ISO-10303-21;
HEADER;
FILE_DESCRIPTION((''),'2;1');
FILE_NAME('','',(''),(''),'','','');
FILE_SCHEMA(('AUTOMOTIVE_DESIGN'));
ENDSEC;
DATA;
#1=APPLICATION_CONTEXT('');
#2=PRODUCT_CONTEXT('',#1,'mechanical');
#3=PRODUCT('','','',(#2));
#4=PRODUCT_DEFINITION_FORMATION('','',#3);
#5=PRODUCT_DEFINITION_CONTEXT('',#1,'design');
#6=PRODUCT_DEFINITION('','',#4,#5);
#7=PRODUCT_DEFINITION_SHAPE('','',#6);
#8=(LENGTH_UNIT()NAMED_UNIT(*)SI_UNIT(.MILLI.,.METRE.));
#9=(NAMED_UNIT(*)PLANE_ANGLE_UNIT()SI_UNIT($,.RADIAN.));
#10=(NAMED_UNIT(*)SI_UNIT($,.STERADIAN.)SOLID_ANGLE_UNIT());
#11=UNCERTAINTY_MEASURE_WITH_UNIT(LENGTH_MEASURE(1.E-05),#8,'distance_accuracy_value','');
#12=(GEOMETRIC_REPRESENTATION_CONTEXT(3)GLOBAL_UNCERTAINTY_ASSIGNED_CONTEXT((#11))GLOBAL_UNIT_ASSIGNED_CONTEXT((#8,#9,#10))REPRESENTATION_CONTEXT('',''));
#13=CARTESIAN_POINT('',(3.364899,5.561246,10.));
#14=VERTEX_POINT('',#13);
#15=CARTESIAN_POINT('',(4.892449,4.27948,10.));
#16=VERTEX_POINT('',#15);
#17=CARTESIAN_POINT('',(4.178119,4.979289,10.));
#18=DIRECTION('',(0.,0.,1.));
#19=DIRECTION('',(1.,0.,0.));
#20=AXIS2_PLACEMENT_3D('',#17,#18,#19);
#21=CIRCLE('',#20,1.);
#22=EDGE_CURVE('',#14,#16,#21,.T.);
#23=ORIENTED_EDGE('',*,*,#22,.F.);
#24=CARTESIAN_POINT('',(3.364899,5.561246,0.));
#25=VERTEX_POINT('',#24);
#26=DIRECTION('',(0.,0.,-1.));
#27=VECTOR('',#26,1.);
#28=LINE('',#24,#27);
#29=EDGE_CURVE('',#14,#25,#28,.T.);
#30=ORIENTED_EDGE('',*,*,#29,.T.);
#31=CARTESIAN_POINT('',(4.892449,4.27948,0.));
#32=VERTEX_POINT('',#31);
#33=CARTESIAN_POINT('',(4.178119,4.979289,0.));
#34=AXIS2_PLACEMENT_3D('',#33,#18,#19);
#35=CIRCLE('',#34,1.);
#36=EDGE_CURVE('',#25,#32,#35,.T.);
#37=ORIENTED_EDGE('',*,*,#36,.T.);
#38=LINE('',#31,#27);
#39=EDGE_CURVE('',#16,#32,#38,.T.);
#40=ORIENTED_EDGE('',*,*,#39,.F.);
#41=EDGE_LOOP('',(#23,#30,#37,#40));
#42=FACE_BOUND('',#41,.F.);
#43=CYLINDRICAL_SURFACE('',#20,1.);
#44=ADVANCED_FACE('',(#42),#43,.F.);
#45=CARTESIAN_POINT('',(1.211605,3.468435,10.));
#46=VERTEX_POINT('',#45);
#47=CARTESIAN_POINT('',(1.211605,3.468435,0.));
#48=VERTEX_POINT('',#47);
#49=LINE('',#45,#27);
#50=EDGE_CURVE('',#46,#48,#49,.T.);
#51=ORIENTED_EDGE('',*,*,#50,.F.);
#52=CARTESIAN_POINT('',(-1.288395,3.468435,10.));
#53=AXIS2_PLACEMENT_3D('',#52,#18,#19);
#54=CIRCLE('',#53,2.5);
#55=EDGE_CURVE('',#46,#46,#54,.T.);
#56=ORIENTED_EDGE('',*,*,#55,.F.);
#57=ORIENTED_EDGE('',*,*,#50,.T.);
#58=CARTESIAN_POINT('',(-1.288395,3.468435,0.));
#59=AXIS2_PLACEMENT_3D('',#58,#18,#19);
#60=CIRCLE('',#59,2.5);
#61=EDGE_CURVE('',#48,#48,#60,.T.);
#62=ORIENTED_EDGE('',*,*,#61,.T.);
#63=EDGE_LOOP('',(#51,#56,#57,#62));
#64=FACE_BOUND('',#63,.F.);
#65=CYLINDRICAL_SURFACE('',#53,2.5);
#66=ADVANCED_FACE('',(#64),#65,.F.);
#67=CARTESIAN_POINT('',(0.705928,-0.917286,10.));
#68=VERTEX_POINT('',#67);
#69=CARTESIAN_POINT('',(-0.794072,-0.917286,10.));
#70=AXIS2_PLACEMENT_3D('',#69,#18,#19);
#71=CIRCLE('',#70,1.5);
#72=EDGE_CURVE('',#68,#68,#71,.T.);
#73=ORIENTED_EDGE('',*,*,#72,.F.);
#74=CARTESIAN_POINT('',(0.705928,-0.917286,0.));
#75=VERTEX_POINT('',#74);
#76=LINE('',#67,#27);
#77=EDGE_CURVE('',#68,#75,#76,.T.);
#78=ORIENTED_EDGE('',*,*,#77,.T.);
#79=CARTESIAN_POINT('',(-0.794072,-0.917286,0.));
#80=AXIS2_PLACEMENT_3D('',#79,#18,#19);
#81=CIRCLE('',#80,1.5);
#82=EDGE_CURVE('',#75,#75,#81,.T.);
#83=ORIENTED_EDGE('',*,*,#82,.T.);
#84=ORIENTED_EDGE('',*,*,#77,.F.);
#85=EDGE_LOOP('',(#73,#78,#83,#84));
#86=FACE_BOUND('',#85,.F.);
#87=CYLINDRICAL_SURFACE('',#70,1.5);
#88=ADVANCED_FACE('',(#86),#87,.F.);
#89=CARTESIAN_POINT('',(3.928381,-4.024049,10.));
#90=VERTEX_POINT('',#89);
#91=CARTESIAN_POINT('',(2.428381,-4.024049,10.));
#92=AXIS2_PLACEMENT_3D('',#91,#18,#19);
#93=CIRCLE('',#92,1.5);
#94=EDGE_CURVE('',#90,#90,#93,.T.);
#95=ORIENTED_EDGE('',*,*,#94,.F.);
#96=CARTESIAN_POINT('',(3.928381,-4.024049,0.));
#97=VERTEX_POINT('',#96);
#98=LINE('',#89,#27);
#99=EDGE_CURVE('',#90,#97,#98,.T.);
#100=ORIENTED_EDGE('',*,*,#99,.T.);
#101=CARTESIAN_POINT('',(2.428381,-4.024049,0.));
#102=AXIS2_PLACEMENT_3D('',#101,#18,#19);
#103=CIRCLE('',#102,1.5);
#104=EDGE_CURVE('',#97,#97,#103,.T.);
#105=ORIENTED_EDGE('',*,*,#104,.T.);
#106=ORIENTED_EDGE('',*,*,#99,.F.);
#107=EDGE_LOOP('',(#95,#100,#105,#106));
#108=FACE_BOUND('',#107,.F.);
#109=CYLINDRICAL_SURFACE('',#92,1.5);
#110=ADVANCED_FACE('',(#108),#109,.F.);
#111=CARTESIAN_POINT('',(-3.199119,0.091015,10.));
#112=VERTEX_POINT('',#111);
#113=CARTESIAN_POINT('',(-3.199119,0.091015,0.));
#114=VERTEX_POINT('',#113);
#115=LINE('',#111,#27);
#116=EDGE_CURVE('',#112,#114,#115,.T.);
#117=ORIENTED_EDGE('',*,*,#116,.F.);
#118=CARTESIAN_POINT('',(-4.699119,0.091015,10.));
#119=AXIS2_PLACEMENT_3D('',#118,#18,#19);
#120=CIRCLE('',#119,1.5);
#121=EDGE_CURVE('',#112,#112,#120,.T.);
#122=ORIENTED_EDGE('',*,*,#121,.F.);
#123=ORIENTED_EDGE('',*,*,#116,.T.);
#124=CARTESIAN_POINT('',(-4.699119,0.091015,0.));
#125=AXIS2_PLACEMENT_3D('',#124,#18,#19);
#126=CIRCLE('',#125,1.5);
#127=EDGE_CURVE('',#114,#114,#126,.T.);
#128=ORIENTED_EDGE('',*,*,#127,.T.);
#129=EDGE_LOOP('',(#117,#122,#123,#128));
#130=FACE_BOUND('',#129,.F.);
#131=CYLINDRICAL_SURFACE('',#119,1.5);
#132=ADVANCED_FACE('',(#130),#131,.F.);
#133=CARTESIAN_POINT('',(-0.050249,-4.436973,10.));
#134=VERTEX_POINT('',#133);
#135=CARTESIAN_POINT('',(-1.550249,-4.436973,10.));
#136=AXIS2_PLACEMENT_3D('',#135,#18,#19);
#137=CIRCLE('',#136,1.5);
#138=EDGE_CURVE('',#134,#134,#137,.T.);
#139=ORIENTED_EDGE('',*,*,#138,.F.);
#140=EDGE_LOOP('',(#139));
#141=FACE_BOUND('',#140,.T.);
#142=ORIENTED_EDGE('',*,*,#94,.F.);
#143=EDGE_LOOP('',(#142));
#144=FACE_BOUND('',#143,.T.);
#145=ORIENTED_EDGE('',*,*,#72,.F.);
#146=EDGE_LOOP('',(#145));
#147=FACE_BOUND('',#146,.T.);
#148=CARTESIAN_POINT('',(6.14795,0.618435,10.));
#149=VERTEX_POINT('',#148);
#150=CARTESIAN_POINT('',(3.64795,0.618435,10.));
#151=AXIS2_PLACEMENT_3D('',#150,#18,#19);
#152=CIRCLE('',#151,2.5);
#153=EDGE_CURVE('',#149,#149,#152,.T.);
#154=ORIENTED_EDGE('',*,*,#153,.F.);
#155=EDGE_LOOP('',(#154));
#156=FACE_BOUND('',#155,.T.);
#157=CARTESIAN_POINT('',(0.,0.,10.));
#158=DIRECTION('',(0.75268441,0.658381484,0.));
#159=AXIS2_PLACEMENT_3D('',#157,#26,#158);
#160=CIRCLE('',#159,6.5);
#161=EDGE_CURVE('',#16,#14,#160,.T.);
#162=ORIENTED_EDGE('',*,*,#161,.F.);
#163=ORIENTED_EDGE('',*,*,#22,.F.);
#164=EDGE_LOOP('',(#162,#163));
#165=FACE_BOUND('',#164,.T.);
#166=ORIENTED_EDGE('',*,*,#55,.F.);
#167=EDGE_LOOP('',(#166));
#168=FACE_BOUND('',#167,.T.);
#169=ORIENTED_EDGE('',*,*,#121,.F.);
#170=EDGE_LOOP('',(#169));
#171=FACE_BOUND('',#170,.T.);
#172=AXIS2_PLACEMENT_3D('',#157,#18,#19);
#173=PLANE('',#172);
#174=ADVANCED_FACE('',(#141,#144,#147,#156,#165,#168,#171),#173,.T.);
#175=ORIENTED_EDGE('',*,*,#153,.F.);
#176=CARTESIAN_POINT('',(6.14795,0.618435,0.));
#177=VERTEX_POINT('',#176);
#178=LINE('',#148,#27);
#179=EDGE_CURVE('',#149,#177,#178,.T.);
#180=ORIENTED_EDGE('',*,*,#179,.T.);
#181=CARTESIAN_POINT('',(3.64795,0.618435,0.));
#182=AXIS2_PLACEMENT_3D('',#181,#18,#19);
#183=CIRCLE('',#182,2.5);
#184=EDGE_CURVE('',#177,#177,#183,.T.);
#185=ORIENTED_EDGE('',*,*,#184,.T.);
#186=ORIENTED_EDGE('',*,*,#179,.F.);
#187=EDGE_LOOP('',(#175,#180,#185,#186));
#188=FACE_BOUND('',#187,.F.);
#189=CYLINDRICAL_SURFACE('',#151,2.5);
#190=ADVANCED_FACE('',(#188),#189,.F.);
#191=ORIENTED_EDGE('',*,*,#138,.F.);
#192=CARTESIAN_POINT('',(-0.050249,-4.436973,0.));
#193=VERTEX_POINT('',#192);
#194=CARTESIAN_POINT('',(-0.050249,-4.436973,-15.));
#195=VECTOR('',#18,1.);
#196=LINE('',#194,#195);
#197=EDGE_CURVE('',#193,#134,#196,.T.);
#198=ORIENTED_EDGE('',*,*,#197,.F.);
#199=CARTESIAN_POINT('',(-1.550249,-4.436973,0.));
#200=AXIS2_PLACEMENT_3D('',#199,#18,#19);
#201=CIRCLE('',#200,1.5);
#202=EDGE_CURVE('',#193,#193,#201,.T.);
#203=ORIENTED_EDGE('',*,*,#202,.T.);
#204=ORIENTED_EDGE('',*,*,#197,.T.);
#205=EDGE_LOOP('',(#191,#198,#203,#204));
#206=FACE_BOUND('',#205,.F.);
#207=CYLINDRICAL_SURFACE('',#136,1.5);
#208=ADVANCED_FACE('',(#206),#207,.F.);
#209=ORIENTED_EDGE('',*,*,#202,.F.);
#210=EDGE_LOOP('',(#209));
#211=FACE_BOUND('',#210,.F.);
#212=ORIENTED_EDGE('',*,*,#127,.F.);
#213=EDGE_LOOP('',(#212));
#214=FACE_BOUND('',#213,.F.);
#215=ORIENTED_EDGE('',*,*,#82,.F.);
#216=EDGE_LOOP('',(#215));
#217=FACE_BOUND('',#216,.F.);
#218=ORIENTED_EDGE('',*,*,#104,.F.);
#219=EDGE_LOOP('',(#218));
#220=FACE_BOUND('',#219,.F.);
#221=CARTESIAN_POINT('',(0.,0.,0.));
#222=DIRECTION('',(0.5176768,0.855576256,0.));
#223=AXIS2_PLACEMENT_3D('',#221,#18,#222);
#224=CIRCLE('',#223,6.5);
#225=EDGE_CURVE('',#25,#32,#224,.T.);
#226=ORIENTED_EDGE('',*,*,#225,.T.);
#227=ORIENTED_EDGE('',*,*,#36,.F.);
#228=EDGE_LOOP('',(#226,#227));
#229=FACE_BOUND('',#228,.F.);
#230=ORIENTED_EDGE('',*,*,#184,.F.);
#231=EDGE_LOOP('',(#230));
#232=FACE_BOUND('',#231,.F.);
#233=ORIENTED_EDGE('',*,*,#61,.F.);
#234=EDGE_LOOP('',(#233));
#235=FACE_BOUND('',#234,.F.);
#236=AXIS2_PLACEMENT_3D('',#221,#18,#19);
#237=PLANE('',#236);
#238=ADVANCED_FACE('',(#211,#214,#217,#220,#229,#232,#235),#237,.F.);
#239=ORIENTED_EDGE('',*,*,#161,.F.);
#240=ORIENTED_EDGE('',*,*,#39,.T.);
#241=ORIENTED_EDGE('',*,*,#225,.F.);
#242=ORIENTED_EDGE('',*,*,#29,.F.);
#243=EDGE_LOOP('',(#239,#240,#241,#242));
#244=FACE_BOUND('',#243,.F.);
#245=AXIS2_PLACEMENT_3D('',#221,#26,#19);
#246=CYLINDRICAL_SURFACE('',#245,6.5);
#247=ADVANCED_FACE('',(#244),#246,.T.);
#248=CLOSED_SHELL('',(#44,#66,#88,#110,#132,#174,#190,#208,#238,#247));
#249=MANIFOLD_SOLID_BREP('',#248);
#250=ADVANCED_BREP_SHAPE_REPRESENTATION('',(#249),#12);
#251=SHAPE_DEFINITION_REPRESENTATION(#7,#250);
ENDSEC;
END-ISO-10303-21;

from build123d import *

# Parameters (mm, degrees)
F0_R     = 6.5
F1_DEPTH = 10
F3_R     = 2.5
F3_R_2   = 1.5
F3_R_3   = 1
F4_DEPTH = 25
F5_DEPTH = 15


with BuildPart() as f1:
    # F0 (on Top) → F1 (new body)
    with BuildSketch(Plane.XY):
        Circle(F0_R)
    extrude(amount=F1_DEPTH)

    # F3 (on offset) → F4 (cut, symmetric)
    with BuildSketch(Plane.XY.offset(10)):
        with Locations((-1.288395, 3.468435)):
            Circle(F3_R)
        with Locations((-4.699119, 0.091015)):
            Circle(F3_R_2)
        with Locations((-0.794072, -0.917286)):
            Circle(F3_R_2)
        with Locations((4.178119, 4.979289)):
            Circle(F3_R_3)
        with Locations((3.64795, 0.618435)):
            Circle(F3_R)
        with Locations((2.428381, -4.024049)):
            Circle(F3_R_2)
        with Locations((-1.550249, -4.436973)):
            Circle(F3_R_2)
    extrude(amount=F4_DEPTH, both=True, mode=Mode.SUBTRACT)

    # F3 (on offset) → F5 (cut, symmetric)
    with BuildSketch(Plane.XY.offset(10)):
        with Locations((4.178119, 4.979289)):
            Circle(F3_R_3)
    extrude(amount=F5_DEPTH, both=True, mode=Mode.SUBTRACT)


solid = f1.part
